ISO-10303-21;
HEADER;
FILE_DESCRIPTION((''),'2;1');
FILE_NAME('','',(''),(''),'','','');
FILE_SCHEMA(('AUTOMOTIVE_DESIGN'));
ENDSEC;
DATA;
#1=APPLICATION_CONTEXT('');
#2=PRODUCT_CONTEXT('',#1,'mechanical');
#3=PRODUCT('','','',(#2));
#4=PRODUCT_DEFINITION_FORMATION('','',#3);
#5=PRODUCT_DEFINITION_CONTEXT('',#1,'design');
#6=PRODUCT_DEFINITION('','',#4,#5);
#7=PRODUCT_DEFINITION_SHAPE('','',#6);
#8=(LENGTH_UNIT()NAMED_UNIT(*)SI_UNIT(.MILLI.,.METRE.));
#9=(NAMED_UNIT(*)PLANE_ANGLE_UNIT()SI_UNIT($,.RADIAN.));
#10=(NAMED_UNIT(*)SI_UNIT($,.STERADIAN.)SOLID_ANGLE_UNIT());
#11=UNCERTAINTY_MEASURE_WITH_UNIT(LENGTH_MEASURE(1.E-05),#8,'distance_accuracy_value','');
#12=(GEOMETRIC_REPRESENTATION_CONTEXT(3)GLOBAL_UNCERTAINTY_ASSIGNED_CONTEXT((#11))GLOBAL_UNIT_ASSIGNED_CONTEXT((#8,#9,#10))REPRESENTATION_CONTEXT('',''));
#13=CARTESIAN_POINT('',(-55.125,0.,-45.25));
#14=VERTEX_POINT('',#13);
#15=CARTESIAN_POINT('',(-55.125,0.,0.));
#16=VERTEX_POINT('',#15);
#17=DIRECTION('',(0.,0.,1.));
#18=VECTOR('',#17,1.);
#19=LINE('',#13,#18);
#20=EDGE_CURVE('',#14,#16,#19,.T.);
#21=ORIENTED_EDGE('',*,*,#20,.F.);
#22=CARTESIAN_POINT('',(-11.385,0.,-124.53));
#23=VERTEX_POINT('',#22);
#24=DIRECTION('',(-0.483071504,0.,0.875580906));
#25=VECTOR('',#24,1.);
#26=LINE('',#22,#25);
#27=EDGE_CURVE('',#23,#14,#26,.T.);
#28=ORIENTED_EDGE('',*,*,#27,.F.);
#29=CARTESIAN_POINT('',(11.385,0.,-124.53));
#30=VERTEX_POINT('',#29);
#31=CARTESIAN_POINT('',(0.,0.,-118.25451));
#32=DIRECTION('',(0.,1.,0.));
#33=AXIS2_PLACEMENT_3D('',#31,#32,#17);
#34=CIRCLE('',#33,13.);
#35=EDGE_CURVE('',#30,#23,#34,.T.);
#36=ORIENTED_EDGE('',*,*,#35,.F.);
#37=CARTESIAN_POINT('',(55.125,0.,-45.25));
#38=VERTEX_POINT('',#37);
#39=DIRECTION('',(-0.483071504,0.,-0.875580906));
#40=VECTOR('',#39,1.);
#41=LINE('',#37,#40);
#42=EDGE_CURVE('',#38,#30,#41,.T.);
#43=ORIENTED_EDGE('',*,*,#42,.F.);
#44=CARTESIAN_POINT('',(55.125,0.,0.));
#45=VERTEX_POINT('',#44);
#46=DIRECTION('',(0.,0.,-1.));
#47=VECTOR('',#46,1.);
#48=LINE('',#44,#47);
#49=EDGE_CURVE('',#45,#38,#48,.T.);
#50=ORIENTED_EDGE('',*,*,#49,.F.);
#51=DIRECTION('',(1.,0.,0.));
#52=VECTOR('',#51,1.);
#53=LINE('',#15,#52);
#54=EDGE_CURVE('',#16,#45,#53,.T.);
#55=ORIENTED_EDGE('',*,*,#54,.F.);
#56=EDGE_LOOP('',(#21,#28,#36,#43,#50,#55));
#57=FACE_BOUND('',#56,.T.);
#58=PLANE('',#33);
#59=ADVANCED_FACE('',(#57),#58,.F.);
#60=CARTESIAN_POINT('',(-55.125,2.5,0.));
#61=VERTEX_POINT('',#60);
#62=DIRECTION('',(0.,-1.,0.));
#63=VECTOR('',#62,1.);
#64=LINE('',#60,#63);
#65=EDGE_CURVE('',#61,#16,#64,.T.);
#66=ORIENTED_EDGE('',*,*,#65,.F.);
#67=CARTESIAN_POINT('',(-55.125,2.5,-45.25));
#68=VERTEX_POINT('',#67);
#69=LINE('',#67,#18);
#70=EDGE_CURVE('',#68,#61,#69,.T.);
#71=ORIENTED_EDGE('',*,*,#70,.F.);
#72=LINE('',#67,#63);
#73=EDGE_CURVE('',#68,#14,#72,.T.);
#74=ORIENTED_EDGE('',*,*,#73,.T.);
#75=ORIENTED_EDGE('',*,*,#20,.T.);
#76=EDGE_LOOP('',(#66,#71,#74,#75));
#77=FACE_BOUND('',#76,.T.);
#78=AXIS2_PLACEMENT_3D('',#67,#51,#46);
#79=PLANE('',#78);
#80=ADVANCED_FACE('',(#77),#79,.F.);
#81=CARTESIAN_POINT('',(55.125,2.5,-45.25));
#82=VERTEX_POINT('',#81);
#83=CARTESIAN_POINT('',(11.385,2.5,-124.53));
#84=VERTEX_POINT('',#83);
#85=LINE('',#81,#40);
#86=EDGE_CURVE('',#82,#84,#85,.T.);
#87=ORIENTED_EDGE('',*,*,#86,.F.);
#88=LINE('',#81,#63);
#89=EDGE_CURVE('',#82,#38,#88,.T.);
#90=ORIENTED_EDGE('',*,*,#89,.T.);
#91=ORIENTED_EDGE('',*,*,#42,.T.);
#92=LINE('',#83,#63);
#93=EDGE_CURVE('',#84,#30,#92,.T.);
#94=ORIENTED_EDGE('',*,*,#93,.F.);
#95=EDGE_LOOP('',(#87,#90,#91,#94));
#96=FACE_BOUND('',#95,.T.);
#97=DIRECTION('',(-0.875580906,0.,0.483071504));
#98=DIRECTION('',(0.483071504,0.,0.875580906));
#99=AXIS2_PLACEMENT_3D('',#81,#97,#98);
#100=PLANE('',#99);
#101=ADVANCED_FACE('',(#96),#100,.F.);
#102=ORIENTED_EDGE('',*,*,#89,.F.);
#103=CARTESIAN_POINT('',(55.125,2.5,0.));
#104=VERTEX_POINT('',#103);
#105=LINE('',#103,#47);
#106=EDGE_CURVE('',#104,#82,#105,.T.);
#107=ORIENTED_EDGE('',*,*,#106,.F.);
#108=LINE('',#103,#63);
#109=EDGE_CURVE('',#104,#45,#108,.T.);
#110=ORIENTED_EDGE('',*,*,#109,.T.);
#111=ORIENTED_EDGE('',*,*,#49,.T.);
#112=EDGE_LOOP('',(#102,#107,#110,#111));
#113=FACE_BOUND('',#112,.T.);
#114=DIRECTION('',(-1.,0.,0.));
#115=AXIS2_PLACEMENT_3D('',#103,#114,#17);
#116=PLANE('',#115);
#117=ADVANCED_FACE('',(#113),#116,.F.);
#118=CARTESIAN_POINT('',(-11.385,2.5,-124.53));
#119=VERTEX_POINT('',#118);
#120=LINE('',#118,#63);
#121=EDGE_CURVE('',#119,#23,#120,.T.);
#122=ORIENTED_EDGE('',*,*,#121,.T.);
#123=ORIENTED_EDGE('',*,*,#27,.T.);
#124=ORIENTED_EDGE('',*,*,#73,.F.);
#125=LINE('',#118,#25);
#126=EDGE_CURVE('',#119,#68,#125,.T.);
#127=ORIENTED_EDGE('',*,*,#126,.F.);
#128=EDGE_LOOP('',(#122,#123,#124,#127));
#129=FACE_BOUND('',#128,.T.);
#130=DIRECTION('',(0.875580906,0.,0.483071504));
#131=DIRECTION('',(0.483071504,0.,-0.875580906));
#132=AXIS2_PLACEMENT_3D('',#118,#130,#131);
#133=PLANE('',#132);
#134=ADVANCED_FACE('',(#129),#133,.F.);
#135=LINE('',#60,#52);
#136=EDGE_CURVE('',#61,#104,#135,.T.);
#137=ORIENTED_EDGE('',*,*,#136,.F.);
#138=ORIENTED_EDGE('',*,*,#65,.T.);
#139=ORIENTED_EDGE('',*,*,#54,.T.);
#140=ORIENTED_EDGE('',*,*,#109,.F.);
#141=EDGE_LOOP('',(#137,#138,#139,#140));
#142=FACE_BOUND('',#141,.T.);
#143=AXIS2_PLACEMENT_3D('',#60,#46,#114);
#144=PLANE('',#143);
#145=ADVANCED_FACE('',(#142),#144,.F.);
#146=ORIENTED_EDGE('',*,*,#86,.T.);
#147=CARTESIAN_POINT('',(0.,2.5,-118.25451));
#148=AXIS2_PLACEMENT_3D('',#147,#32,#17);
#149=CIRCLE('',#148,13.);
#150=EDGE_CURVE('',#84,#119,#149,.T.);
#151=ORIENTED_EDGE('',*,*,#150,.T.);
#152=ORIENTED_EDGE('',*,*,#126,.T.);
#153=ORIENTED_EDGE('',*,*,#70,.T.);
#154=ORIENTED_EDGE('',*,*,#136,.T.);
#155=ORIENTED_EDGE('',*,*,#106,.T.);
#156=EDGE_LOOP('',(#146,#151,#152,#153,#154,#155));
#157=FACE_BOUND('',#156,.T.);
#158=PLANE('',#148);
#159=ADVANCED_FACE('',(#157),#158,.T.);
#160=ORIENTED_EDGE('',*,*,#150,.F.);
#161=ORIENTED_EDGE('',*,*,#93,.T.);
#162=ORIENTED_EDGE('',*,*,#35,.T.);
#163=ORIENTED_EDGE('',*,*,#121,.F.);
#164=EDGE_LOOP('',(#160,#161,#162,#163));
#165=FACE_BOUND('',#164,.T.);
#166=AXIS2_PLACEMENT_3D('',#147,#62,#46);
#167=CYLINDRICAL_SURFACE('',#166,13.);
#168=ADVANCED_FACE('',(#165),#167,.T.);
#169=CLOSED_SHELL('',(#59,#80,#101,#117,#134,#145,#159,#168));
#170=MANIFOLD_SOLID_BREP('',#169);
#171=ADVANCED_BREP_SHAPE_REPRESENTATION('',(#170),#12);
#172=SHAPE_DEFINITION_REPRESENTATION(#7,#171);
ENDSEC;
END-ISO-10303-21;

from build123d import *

# Parameters (mm, degrees)
BOSS_EXTRUDE1_DEPTH = 2.5


with BuildPart() as part:
    # Sketch1 → Boss-Extrude1 (new body)
    with BuildSketch(Plane(origin=(0, 0, 0), x_dir=(1, 0, 0), z_dir=(0, 1, 0))):
        with BuildLine():
            Line((-11.385, 124.53), (-55.125, 45.25))
            Line((-55.125, 45.25), (-55.125, 0))
            Line((-55.125, 0), (55.125, 0))
            Line((55.125, 0), (55.125, 45.25))
            Line((55.125, 45.25), (11.385, 124.53))
            ThreePointArc((11.385, 124.53), (0, 131.254509979), (-11.385, 124.53))
        make_face()
    extrude(amount=BOSS_EXTRUDE1_DEPTH)


solid = part.part
